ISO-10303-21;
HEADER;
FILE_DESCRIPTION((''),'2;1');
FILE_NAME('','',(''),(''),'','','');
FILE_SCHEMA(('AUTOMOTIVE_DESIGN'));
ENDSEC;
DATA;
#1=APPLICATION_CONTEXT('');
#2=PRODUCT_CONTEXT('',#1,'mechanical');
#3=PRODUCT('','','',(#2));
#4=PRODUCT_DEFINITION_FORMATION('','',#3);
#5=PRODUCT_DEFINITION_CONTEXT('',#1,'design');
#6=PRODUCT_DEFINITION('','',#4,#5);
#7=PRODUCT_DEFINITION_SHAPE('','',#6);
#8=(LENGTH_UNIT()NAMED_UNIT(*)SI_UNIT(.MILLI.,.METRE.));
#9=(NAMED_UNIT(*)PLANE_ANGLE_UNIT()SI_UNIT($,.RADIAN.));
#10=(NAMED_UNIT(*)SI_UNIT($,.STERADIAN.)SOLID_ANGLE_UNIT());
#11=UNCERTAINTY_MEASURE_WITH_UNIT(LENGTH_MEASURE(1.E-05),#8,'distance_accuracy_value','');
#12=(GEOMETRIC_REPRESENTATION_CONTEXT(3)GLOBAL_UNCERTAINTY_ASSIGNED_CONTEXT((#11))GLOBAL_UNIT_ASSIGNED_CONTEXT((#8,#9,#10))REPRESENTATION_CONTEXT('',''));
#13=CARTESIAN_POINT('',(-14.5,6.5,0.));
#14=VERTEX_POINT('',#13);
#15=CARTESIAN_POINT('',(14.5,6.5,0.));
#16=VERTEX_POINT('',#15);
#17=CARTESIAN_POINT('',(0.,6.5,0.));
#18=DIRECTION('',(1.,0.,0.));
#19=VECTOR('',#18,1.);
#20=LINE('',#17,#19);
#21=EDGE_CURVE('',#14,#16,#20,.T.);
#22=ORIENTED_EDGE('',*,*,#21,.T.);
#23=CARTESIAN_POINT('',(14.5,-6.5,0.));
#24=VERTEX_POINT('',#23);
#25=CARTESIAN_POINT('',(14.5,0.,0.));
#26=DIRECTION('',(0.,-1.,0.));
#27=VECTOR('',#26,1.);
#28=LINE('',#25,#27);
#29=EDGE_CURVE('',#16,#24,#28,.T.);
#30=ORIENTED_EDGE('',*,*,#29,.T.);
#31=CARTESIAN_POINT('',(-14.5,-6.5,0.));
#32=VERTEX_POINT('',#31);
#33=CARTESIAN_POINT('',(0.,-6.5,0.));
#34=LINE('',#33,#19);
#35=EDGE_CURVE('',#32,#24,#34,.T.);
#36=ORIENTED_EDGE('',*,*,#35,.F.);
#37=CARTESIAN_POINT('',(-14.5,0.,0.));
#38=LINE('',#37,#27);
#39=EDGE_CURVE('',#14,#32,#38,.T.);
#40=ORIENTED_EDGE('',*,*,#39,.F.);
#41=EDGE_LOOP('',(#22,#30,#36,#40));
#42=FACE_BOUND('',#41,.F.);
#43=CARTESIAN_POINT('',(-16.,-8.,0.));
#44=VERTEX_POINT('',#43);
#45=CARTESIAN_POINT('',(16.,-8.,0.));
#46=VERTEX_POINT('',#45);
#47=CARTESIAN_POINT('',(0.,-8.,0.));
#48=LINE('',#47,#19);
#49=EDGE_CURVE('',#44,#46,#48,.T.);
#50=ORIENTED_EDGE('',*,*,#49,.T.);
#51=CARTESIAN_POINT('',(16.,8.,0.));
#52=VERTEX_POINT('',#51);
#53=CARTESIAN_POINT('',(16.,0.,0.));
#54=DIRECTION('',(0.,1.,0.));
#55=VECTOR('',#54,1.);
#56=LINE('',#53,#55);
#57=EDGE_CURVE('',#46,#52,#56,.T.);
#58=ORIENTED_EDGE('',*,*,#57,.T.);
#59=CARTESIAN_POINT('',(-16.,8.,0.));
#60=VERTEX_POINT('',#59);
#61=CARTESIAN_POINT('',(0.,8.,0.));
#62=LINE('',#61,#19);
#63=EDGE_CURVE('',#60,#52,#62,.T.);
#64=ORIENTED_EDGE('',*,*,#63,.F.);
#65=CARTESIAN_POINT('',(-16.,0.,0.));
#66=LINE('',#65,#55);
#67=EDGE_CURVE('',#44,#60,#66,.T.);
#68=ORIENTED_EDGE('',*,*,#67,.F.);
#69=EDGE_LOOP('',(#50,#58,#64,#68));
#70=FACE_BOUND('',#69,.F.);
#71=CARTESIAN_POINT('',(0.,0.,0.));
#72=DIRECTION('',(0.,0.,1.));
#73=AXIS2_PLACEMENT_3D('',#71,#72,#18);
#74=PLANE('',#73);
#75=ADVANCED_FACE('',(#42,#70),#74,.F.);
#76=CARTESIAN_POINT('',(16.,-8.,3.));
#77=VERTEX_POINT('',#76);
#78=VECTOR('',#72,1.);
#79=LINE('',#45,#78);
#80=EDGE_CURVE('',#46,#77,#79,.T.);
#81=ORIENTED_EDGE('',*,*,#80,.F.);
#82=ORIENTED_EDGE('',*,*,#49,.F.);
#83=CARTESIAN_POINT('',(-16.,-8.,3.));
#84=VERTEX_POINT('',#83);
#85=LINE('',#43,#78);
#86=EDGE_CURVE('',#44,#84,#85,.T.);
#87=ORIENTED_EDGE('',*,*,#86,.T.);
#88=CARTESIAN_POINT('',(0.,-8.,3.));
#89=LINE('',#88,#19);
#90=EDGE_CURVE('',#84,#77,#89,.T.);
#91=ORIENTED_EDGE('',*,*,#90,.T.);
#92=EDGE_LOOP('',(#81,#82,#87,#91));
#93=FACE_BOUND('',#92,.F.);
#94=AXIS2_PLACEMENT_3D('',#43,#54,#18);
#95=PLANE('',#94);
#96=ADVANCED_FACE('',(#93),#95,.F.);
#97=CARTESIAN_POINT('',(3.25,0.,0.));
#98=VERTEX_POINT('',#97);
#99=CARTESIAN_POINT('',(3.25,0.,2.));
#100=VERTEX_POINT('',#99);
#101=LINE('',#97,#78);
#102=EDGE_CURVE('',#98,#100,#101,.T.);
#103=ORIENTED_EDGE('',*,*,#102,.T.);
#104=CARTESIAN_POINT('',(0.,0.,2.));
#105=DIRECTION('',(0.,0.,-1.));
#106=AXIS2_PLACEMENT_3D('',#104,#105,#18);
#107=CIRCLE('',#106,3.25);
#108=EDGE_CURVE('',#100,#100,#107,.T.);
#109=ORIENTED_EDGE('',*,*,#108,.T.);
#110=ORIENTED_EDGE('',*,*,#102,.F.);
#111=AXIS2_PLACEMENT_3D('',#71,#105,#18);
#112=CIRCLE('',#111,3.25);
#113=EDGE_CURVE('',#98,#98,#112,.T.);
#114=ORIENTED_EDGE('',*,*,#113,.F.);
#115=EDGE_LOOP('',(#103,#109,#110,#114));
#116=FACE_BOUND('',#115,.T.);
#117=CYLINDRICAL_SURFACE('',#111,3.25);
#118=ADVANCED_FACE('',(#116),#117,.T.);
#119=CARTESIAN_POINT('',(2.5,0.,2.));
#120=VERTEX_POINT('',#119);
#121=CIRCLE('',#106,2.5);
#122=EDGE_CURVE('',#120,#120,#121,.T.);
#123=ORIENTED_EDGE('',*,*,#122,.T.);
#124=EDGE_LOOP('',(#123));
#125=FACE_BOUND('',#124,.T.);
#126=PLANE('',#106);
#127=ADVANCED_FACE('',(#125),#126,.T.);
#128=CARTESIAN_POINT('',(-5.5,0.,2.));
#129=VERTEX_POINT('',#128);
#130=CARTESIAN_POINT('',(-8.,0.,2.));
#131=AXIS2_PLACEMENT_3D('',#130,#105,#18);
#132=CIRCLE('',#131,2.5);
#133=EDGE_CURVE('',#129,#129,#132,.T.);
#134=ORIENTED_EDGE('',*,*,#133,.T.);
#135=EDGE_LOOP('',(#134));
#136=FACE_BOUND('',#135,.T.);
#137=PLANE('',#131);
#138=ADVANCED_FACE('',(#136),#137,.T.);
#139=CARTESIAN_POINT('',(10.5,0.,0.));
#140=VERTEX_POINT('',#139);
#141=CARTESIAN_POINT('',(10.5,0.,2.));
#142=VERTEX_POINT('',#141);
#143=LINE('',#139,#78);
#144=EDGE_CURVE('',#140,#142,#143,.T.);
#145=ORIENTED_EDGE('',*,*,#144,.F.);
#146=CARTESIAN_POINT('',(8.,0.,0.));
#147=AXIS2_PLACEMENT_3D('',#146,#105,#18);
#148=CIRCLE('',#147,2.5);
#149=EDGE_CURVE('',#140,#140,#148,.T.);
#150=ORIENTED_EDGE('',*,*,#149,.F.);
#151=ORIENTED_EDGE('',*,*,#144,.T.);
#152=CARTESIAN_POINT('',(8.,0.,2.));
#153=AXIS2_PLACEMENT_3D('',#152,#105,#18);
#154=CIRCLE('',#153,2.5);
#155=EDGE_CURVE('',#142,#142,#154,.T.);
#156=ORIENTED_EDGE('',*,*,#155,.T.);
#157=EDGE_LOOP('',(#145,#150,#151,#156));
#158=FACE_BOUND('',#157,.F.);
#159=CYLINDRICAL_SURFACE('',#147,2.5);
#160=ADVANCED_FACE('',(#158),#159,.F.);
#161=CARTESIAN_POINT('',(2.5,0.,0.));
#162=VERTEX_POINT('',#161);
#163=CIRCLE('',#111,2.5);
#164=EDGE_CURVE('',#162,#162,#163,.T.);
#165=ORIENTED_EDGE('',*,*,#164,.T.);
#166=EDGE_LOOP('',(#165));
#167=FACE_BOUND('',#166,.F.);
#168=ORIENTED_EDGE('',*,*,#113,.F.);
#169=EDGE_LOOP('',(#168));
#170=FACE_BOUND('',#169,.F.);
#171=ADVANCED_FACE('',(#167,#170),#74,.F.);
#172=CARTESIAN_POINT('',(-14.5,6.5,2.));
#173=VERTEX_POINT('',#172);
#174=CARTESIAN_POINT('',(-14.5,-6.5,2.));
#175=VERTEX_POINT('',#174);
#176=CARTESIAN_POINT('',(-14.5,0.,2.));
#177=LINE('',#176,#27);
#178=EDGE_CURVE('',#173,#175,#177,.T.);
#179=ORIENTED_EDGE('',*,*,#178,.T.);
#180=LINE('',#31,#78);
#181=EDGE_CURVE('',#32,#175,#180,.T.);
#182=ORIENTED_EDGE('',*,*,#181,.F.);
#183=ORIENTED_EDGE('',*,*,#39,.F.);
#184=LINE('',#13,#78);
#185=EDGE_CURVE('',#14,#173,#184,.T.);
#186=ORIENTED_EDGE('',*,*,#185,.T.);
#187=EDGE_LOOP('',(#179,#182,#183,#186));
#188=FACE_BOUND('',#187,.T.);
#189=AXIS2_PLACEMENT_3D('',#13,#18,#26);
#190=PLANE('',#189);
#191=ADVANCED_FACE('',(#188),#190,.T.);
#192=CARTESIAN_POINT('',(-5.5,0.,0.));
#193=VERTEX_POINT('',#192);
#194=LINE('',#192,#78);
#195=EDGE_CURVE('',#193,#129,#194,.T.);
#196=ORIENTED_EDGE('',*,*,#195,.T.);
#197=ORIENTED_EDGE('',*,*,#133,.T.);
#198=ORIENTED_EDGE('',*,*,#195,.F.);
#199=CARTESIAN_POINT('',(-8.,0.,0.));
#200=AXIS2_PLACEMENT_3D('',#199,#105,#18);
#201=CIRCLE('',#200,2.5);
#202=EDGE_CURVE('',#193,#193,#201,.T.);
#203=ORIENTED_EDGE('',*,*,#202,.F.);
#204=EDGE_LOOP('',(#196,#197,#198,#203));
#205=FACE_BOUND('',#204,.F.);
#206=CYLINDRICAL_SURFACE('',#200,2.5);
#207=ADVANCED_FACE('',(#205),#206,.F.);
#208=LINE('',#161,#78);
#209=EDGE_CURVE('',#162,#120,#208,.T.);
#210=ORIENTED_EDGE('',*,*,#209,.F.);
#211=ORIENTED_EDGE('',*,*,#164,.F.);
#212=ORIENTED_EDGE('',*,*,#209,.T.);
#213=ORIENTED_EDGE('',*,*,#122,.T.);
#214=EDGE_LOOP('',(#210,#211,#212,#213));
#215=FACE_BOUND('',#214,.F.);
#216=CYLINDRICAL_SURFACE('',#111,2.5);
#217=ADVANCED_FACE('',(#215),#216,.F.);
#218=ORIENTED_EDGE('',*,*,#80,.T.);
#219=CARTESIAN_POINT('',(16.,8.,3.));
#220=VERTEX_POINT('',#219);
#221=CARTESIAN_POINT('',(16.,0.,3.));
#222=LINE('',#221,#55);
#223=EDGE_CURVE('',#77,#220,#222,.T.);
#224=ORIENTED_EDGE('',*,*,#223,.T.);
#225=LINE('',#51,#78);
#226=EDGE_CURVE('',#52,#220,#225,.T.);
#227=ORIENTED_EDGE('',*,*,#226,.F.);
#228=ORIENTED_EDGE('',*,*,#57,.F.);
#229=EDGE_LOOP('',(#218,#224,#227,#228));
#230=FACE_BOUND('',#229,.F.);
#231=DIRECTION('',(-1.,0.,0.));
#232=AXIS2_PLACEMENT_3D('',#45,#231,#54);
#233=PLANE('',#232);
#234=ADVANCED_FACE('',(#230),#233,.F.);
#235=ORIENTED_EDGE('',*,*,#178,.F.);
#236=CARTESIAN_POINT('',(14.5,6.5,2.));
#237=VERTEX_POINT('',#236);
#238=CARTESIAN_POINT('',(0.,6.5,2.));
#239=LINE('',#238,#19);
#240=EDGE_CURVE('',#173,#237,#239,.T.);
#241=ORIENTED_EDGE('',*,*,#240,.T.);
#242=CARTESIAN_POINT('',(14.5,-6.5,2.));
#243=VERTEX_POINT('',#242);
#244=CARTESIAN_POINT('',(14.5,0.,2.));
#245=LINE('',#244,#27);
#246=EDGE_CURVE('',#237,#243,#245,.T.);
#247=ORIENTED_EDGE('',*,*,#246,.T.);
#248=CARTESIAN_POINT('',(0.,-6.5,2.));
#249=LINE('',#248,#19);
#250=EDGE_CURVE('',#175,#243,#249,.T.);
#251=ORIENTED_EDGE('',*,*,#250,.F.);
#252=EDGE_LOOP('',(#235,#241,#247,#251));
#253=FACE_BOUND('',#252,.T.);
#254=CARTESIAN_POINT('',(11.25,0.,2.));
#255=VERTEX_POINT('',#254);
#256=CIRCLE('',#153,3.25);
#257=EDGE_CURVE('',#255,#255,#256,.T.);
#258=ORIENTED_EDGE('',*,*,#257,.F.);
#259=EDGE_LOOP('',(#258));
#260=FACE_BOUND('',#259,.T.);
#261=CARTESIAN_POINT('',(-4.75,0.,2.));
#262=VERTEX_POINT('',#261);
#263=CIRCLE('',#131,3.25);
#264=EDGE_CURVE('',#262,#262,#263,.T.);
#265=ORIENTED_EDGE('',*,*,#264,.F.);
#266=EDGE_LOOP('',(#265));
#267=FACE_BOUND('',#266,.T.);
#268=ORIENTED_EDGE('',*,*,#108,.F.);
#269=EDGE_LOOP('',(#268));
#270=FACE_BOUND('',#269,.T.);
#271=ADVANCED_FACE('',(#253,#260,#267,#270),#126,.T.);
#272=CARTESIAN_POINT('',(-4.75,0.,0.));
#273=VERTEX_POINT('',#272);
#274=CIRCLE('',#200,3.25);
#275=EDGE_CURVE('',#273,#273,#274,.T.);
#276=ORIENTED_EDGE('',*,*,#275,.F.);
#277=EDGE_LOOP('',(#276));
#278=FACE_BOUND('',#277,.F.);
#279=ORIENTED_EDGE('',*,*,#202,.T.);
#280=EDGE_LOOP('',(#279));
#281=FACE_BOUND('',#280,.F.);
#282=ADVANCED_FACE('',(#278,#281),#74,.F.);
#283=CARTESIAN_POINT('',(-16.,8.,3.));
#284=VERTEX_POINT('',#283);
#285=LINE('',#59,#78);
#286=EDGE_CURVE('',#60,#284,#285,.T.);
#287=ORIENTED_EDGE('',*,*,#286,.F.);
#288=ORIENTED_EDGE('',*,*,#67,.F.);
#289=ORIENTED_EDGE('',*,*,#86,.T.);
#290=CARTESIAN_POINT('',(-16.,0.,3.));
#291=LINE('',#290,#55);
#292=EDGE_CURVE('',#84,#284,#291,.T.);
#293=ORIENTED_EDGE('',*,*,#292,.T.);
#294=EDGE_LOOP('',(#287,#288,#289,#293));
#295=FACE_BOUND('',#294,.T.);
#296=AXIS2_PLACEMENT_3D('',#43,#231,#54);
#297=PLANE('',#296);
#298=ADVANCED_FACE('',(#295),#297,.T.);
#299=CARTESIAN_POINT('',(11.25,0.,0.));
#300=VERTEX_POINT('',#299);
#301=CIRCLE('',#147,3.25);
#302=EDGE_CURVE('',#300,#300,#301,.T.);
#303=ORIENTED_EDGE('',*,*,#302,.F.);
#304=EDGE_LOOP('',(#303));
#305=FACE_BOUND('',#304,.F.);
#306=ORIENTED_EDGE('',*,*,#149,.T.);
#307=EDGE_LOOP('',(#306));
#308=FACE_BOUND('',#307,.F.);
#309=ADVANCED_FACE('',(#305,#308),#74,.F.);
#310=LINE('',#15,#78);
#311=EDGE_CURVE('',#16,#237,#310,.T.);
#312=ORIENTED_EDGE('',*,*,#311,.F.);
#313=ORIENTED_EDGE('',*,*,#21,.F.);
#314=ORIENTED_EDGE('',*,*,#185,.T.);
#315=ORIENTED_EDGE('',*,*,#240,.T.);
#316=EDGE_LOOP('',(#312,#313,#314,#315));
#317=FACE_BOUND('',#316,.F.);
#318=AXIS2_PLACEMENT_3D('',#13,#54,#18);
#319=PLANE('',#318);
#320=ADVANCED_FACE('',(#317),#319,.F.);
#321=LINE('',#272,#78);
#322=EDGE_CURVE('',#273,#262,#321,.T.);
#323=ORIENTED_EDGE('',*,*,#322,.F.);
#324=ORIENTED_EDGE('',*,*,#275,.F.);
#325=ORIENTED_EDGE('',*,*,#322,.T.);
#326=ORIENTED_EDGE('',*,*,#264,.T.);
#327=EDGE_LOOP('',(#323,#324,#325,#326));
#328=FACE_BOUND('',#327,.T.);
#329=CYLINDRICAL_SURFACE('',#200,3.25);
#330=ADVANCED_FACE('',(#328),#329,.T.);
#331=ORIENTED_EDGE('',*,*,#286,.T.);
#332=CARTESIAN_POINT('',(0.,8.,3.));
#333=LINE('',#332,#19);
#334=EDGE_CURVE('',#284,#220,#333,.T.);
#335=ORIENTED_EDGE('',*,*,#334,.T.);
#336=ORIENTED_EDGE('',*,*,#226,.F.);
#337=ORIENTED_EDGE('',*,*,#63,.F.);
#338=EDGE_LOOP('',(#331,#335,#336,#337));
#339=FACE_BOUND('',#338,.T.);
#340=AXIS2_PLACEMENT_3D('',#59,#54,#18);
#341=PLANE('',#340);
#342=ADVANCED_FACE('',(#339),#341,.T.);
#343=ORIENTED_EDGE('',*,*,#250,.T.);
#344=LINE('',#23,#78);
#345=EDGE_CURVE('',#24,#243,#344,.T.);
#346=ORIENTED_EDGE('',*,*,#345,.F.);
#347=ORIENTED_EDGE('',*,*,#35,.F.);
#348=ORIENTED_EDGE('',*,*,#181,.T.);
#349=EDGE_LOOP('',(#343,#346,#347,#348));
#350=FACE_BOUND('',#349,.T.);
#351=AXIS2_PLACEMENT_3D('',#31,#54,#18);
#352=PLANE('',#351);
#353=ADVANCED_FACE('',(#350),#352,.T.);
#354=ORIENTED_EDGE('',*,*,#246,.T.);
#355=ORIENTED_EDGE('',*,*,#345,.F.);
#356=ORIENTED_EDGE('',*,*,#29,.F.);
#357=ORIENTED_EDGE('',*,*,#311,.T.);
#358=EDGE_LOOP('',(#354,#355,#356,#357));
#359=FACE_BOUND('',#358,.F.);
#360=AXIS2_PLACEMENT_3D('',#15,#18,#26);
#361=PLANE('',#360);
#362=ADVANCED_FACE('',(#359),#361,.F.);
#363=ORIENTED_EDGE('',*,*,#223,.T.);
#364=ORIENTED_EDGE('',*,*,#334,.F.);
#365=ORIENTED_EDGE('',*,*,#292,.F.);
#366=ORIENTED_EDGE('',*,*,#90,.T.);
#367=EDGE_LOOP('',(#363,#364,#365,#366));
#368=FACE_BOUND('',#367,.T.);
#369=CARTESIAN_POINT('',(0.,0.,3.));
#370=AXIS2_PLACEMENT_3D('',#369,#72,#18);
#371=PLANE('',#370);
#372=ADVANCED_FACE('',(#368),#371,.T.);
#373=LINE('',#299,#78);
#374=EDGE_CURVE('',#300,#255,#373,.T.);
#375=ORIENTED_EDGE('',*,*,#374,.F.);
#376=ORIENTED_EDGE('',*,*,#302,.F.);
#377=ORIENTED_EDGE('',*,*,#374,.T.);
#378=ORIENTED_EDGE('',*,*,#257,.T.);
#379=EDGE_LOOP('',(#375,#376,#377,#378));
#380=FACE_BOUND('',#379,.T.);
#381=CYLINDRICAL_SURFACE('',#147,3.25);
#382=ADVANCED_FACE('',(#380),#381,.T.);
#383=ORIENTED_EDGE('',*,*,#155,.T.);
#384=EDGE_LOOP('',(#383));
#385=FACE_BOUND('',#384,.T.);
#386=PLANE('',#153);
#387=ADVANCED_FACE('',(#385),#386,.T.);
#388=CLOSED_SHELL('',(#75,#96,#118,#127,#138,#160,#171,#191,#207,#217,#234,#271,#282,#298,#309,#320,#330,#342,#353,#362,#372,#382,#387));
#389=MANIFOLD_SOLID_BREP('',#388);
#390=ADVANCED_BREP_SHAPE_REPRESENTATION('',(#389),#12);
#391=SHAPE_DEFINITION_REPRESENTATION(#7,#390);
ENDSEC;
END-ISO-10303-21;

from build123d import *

# Parameters (mm, degrees)
F0_W     = 32
F0_H     = 16
F1_DEPTH = 3
F2_W     = 29
F2_H     = 13
F2_R     = 3.25
F2_R_2   = 2.5
F3_DEPTH = 2


with BuildPart() as f1:
    # F0 (on Top) → F1 (new body)
    with BuildSketch(Plane.XY):
        Rectangle(F0_W, F0_H)
    extrude(amount=F1_DEPTH)

    # F2 (on face) → F3 (cut)
    with BuildSketch(Plane(origin=(0, 0, 0), x_dir=(1, 0, 0), z_dir=(0, 0, -1))):
        Rectangle(F2_W, F2_H)
        with Locations((-8, 0)):
            Circle(F2_R, mode=Mode.SUBTRACT)
        Circle(F2_R, mode=Mode.SUBTRACT)
        with Locations((8, 0)):
            Circle(F2_R, mode=Mode.SUBTRACT)
        with Locations((-8, 0)):
            Circle(F2_R_2)
        Circle(F2_R_2)
        with Locations((8, 0)):
            Circle(F2_R_2)
    extrude(amount=-F3_DEPTH, mode=Mode.SUBTRACT)


solid = f1.part
